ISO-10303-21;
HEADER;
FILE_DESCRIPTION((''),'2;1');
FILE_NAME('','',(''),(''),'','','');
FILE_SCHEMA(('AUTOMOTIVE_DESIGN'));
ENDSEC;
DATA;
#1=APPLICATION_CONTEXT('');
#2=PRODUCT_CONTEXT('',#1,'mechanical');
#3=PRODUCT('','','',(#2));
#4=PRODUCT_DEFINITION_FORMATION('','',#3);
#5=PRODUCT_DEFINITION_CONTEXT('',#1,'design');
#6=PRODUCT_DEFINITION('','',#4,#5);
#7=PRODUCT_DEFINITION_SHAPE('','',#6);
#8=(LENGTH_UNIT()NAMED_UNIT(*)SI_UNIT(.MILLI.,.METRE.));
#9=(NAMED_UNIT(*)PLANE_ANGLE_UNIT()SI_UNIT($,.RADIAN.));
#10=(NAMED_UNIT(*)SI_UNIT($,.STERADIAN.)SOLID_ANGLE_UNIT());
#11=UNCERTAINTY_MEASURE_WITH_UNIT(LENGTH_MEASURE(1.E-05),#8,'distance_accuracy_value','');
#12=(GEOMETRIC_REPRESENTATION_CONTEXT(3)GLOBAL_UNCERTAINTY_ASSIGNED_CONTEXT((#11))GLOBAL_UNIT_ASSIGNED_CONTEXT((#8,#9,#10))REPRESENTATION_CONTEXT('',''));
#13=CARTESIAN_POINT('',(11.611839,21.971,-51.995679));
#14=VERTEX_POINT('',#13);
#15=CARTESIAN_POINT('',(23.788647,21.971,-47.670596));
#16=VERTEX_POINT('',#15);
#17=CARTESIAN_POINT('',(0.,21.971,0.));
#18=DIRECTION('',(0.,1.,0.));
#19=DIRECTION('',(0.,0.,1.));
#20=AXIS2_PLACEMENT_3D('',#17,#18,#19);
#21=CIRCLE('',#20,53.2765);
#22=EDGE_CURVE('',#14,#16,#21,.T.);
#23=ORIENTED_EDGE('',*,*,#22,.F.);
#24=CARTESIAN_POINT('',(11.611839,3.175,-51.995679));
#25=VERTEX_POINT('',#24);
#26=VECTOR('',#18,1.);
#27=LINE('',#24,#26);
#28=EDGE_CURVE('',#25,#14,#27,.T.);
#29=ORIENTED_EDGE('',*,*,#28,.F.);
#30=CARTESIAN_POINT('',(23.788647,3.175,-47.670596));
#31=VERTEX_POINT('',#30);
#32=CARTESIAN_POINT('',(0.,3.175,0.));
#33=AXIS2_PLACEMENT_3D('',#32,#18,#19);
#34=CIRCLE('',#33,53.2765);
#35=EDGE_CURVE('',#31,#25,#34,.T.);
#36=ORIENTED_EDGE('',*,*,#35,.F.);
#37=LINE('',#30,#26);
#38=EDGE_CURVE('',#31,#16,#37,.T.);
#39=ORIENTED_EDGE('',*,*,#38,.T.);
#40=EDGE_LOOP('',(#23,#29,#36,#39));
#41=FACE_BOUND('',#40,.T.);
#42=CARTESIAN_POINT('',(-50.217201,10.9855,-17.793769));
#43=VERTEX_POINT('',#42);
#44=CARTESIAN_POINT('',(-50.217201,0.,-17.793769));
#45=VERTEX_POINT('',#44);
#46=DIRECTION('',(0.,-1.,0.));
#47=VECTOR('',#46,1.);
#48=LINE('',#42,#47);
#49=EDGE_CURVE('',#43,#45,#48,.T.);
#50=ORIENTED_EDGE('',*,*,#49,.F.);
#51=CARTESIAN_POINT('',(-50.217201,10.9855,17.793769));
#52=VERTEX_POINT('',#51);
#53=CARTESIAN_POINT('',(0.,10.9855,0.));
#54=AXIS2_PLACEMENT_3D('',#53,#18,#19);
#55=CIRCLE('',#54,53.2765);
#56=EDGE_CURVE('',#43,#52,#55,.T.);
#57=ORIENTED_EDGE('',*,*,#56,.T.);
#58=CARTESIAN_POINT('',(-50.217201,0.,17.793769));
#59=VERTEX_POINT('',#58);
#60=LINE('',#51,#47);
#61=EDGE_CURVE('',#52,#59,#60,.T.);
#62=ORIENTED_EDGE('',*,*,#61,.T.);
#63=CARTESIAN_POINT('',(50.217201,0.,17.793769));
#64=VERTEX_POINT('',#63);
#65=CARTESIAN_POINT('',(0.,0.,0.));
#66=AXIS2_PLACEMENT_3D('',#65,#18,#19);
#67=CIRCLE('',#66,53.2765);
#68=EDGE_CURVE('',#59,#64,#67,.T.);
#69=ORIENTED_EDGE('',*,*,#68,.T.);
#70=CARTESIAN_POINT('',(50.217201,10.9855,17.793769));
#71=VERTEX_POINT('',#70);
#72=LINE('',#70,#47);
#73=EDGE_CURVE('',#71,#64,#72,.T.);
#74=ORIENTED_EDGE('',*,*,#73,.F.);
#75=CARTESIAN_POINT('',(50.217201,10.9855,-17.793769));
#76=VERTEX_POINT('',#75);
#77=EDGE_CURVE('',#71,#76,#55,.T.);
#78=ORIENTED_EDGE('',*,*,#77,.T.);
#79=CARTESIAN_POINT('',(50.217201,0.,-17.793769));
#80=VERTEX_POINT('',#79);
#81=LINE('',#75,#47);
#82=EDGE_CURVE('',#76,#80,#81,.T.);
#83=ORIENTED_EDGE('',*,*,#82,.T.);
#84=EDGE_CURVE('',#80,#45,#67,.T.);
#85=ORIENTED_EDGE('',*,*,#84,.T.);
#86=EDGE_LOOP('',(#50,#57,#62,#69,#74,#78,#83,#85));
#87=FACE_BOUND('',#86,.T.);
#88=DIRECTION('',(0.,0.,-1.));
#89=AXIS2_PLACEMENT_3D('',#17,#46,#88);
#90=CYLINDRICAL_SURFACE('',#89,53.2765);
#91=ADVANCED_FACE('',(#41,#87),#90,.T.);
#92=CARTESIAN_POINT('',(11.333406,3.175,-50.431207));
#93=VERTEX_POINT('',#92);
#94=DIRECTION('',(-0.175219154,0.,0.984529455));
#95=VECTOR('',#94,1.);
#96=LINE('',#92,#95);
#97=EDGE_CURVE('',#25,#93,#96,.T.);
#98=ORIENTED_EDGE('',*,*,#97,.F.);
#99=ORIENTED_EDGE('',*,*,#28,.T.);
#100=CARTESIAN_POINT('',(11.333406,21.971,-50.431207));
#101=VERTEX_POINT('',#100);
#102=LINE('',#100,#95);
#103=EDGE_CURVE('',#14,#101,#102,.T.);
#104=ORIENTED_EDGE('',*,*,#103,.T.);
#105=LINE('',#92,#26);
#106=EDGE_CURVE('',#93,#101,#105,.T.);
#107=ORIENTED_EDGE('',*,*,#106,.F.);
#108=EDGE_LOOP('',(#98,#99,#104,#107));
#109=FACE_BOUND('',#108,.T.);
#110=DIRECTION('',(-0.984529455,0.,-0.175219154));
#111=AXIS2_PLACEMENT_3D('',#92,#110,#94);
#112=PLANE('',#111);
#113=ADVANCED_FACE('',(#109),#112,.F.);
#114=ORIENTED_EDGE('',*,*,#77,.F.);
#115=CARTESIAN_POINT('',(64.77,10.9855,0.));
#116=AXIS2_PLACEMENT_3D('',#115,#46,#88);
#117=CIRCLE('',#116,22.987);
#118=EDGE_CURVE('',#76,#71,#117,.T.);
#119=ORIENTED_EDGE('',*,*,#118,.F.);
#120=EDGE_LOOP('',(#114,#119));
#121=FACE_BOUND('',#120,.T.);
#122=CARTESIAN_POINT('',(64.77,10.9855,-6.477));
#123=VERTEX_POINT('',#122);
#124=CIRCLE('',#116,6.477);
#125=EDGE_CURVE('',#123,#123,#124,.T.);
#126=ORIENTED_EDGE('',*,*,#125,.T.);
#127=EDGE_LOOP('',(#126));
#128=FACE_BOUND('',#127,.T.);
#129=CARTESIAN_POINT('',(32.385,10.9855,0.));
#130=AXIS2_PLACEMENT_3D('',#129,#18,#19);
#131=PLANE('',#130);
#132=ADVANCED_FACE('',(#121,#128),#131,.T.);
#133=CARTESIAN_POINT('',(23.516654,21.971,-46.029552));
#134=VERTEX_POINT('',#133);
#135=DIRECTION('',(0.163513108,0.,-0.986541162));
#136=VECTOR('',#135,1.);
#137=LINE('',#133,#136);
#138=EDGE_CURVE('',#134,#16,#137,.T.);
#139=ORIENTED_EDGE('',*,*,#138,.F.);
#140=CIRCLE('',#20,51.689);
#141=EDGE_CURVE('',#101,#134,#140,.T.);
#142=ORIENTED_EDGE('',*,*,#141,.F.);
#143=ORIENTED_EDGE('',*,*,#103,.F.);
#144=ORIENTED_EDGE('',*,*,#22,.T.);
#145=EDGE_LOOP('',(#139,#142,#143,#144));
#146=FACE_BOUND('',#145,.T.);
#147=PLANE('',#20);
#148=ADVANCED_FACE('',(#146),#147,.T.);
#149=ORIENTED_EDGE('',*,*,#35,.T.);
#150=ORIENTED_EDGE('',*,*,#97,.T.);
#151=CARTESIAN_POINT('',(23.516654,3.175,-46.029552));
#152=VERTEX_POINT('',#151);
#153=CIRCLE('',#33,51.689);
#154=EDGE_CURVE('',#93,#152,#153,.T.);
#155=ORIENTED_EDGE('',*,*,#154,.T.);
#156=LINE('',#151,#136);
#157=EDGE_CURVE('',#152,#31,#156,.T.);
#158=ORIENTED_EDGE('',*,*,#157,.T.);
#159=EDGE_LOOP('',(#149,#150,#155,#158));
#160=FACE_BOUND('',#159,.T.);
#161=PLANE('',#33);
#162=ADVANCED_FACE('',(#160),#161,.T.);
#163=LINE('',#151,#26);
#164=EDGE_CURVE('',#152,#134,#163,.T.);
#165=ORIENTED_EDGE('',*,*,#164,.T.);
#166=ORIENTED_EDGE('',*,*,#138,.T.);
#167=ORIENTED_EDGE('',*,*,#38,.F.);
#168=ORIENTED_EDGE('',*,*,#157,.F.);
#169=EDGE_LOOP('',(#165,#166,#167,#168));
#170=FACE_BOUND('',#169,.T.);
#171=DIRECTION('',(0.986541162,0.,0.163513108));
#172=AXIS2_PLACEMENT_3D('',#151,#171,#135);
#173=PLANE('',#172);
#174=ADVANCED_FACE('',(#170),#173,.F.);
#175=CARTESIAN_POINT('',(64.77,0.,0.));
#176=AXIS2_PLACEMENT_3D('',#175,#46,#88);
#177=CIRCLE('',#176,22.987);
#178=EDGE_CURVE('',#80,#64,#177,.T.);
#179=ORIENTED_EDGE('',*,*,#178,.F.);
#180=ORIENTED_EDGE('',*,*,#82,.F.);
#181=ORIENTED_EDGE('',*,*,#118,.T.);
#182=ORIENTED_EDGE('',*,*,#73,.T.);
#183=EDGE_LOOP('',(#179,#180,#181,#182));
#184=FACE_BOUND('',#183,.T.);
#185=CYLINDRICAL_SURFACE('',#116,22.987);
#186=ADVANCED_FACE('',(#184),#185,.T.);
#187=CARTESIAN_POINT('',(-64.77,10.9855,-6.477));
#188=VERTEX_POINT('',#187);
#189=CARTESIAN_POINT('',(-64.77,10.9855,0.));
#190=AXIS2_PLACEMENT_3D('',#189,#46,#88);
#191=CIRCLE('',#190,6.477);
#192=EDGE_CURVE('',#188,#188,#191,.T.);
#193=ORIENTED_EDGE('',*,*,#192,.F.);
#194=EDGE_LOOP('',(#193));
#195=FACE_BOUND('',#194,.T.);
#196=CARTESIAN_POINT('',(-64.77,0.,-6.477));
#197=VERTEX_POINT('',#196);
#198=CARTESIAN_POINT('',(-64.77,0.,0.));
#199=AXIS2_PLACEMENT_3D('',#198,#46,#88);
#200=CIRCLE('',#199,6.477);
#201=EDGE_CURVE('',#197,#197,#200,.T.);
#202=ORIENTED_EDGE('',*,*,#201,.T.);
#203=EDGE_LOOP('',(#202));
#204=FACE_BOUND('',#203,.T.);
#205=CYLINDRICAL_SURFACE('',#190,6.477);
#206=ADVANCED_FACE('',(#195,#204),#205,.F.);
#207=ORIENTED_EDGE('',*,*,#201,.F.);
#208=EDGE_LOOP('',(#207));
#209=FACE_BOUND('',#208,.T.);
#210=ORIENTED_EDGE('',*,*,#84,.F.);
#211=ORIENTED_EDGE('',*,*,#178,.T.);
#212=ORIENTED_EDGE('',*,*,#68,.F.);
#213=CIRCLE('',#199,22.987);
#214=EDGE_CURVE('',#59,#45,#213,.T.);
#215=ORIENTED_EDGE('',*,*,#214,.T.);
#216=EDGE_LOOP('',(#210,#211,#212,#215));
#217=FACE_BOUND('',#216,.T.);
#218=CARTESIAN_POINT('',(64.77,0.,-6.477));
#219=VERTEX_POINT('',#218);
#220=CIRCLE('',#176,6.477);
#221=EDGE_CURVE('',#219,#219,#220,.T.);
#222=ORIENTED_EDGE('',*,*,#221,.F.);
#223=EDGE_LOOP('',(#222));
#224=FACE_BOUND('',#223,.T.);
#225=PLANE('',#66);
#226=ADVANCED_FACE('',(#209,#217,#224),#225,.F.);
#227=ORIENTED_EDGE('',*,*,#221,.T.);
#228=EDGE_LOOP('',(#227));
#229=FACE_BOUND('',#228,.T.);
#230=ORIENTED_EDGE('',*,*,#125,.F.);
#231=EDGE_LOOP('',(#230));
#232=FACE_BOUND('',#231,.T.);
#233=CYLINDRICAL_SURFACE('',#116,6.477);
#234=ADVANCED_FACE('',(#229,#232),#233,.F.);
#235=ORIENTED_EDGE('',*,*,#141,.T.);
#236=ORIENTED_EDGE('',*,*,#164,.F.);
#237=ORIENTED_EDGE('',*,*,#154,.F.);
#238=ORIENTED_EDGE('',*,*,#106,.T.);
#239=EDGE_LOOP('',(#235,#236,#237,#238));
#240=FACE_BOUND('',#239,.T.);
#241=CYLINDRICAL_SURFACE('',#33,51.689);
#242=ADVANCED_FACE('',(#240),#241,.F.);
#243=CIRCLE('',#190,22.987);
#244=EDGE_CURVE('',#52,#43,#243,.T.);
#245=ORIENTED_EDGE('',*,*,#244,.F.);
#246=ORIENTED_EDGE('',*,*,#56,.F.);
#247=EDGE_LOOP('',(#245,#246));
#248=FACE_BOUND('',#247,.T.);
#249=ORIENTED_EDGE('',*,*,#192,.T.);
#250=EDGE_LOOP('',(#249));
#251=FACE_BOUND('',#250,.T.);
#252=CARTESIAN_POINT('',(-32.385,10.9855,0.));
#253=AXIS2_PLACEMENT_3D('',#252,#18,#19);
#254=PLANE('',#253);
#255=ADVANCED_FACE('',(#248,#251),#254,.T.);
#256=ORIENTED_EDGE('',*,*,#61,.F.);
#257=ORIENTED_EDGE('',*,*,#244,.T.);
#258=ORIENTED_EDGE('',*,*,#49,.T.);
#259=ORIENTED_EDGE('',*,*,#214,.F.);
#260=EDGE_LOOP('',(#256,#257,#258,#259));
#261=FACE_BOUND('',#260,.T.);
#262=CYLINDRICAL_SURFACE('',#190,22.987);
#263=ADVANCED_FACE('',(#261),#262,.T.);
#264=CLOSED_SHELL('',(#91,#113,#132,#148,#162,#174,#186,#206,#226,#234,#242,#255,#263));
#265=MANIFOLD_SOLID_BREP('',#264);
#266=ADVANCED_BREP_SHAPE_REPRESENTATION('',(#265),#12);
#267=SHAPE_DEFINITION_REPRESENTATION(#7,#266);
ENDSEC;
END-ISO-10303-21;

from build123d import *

# Parameters (mm, degrees)
SKETCH1_R           = 53.2765
BOSS_EXTRUDE1_DEPTH = 21.971
SKETCH3_R           = 51.689
CUT_EXTRUDE2_DEPTH  = 18.796
CUT_EXTRUDE7_DEPTH  = 18.796
SKETCH7_R           = 6.477
BOSS_EXTRUDE3_DEPTH = 10.9855


with BuildPart() as part:
    # Sketch1 → Boss-Extrude1 (new body)
    with BuildSketch(Plane(origin=(0, 0, 0), x_dir=(1, 0, 0), z_dir=(0, 1, 0))):
        Circle(SKETCH1_R)
    extrude(amount=BOSS_EXTRUDE1_DEPTH)

    # Sketch3 → Cut-Extrude2 (cut)
    with BuildSketch(Plane(origin=(0, 21.971, 0), x_dir=(1, 0, 0), z_dir=(0, 1, 0))):
        Circle(SKETCH3_R)
    extrude(amount=-CUT_EXTRUDE2_DEPTH, mode=Mode.SUBTRACT)

    # Sketch6 → Cut-Extrude7 (cut)
    with BuildSketch(Plane(origin=(0, 21.971, 0), x_dir=(1, 0, 0), z_dir=(0, 1, 0))):
        with BuildLine():
            Line((23.516654444, 46.029552298), (23.788647289, 47.670595889))
            ThreePointArc((23.788647289, 47.670595889), (17.831858769, 50.203687764), (11.611838625, 51.995679205))
            Line((11.611838625, 51.995679205), (11.333405616, 50.431206987))
            ThreePointArc((11.333405616, 50.431206987), (17.563465277, 48.613551696), (23.516654444, 46.029552298))
        make_face()
    extrude(amount=-CUT_EXTRUDE7_DEPTH, mode=Mode.SUBTRACT)

    # Sketch7 → Boss-Extrude3 (add)
    with BuildSketch(Plane.XZ):
        with BuildLine():
            ThreePointArc((50.217200735, -17.793768644), (87.757, 0), (50.217200735, 17.793768644))
            ThreePointArc((50.217200735, 17.793768644), (53.2765, 0), (50.217200735, -17.793768644))
        make_face()
        with Locations((64.77, 0)):
            Circle(SKETCH7_R, mode=Mode.SUBTRACT)
        with BuildLine():
            ThreePointArc((-50.217200735, 17.793768644), (-87.757, 0), (-50.217200735, -17.793768644))
            ThreePointArc((-50.217200735, -17.793768644), (-53.2765, 0), (-50.217200735, 17.793768644))
        make_face()
        with Locations((-64.77, 0)):
            Circle(SKETCH7_R, mode=Mode.SUBTRACT)
    extrude(amount=-BOSS_EXTRUDE3_DEPTH)


solid = part.part
